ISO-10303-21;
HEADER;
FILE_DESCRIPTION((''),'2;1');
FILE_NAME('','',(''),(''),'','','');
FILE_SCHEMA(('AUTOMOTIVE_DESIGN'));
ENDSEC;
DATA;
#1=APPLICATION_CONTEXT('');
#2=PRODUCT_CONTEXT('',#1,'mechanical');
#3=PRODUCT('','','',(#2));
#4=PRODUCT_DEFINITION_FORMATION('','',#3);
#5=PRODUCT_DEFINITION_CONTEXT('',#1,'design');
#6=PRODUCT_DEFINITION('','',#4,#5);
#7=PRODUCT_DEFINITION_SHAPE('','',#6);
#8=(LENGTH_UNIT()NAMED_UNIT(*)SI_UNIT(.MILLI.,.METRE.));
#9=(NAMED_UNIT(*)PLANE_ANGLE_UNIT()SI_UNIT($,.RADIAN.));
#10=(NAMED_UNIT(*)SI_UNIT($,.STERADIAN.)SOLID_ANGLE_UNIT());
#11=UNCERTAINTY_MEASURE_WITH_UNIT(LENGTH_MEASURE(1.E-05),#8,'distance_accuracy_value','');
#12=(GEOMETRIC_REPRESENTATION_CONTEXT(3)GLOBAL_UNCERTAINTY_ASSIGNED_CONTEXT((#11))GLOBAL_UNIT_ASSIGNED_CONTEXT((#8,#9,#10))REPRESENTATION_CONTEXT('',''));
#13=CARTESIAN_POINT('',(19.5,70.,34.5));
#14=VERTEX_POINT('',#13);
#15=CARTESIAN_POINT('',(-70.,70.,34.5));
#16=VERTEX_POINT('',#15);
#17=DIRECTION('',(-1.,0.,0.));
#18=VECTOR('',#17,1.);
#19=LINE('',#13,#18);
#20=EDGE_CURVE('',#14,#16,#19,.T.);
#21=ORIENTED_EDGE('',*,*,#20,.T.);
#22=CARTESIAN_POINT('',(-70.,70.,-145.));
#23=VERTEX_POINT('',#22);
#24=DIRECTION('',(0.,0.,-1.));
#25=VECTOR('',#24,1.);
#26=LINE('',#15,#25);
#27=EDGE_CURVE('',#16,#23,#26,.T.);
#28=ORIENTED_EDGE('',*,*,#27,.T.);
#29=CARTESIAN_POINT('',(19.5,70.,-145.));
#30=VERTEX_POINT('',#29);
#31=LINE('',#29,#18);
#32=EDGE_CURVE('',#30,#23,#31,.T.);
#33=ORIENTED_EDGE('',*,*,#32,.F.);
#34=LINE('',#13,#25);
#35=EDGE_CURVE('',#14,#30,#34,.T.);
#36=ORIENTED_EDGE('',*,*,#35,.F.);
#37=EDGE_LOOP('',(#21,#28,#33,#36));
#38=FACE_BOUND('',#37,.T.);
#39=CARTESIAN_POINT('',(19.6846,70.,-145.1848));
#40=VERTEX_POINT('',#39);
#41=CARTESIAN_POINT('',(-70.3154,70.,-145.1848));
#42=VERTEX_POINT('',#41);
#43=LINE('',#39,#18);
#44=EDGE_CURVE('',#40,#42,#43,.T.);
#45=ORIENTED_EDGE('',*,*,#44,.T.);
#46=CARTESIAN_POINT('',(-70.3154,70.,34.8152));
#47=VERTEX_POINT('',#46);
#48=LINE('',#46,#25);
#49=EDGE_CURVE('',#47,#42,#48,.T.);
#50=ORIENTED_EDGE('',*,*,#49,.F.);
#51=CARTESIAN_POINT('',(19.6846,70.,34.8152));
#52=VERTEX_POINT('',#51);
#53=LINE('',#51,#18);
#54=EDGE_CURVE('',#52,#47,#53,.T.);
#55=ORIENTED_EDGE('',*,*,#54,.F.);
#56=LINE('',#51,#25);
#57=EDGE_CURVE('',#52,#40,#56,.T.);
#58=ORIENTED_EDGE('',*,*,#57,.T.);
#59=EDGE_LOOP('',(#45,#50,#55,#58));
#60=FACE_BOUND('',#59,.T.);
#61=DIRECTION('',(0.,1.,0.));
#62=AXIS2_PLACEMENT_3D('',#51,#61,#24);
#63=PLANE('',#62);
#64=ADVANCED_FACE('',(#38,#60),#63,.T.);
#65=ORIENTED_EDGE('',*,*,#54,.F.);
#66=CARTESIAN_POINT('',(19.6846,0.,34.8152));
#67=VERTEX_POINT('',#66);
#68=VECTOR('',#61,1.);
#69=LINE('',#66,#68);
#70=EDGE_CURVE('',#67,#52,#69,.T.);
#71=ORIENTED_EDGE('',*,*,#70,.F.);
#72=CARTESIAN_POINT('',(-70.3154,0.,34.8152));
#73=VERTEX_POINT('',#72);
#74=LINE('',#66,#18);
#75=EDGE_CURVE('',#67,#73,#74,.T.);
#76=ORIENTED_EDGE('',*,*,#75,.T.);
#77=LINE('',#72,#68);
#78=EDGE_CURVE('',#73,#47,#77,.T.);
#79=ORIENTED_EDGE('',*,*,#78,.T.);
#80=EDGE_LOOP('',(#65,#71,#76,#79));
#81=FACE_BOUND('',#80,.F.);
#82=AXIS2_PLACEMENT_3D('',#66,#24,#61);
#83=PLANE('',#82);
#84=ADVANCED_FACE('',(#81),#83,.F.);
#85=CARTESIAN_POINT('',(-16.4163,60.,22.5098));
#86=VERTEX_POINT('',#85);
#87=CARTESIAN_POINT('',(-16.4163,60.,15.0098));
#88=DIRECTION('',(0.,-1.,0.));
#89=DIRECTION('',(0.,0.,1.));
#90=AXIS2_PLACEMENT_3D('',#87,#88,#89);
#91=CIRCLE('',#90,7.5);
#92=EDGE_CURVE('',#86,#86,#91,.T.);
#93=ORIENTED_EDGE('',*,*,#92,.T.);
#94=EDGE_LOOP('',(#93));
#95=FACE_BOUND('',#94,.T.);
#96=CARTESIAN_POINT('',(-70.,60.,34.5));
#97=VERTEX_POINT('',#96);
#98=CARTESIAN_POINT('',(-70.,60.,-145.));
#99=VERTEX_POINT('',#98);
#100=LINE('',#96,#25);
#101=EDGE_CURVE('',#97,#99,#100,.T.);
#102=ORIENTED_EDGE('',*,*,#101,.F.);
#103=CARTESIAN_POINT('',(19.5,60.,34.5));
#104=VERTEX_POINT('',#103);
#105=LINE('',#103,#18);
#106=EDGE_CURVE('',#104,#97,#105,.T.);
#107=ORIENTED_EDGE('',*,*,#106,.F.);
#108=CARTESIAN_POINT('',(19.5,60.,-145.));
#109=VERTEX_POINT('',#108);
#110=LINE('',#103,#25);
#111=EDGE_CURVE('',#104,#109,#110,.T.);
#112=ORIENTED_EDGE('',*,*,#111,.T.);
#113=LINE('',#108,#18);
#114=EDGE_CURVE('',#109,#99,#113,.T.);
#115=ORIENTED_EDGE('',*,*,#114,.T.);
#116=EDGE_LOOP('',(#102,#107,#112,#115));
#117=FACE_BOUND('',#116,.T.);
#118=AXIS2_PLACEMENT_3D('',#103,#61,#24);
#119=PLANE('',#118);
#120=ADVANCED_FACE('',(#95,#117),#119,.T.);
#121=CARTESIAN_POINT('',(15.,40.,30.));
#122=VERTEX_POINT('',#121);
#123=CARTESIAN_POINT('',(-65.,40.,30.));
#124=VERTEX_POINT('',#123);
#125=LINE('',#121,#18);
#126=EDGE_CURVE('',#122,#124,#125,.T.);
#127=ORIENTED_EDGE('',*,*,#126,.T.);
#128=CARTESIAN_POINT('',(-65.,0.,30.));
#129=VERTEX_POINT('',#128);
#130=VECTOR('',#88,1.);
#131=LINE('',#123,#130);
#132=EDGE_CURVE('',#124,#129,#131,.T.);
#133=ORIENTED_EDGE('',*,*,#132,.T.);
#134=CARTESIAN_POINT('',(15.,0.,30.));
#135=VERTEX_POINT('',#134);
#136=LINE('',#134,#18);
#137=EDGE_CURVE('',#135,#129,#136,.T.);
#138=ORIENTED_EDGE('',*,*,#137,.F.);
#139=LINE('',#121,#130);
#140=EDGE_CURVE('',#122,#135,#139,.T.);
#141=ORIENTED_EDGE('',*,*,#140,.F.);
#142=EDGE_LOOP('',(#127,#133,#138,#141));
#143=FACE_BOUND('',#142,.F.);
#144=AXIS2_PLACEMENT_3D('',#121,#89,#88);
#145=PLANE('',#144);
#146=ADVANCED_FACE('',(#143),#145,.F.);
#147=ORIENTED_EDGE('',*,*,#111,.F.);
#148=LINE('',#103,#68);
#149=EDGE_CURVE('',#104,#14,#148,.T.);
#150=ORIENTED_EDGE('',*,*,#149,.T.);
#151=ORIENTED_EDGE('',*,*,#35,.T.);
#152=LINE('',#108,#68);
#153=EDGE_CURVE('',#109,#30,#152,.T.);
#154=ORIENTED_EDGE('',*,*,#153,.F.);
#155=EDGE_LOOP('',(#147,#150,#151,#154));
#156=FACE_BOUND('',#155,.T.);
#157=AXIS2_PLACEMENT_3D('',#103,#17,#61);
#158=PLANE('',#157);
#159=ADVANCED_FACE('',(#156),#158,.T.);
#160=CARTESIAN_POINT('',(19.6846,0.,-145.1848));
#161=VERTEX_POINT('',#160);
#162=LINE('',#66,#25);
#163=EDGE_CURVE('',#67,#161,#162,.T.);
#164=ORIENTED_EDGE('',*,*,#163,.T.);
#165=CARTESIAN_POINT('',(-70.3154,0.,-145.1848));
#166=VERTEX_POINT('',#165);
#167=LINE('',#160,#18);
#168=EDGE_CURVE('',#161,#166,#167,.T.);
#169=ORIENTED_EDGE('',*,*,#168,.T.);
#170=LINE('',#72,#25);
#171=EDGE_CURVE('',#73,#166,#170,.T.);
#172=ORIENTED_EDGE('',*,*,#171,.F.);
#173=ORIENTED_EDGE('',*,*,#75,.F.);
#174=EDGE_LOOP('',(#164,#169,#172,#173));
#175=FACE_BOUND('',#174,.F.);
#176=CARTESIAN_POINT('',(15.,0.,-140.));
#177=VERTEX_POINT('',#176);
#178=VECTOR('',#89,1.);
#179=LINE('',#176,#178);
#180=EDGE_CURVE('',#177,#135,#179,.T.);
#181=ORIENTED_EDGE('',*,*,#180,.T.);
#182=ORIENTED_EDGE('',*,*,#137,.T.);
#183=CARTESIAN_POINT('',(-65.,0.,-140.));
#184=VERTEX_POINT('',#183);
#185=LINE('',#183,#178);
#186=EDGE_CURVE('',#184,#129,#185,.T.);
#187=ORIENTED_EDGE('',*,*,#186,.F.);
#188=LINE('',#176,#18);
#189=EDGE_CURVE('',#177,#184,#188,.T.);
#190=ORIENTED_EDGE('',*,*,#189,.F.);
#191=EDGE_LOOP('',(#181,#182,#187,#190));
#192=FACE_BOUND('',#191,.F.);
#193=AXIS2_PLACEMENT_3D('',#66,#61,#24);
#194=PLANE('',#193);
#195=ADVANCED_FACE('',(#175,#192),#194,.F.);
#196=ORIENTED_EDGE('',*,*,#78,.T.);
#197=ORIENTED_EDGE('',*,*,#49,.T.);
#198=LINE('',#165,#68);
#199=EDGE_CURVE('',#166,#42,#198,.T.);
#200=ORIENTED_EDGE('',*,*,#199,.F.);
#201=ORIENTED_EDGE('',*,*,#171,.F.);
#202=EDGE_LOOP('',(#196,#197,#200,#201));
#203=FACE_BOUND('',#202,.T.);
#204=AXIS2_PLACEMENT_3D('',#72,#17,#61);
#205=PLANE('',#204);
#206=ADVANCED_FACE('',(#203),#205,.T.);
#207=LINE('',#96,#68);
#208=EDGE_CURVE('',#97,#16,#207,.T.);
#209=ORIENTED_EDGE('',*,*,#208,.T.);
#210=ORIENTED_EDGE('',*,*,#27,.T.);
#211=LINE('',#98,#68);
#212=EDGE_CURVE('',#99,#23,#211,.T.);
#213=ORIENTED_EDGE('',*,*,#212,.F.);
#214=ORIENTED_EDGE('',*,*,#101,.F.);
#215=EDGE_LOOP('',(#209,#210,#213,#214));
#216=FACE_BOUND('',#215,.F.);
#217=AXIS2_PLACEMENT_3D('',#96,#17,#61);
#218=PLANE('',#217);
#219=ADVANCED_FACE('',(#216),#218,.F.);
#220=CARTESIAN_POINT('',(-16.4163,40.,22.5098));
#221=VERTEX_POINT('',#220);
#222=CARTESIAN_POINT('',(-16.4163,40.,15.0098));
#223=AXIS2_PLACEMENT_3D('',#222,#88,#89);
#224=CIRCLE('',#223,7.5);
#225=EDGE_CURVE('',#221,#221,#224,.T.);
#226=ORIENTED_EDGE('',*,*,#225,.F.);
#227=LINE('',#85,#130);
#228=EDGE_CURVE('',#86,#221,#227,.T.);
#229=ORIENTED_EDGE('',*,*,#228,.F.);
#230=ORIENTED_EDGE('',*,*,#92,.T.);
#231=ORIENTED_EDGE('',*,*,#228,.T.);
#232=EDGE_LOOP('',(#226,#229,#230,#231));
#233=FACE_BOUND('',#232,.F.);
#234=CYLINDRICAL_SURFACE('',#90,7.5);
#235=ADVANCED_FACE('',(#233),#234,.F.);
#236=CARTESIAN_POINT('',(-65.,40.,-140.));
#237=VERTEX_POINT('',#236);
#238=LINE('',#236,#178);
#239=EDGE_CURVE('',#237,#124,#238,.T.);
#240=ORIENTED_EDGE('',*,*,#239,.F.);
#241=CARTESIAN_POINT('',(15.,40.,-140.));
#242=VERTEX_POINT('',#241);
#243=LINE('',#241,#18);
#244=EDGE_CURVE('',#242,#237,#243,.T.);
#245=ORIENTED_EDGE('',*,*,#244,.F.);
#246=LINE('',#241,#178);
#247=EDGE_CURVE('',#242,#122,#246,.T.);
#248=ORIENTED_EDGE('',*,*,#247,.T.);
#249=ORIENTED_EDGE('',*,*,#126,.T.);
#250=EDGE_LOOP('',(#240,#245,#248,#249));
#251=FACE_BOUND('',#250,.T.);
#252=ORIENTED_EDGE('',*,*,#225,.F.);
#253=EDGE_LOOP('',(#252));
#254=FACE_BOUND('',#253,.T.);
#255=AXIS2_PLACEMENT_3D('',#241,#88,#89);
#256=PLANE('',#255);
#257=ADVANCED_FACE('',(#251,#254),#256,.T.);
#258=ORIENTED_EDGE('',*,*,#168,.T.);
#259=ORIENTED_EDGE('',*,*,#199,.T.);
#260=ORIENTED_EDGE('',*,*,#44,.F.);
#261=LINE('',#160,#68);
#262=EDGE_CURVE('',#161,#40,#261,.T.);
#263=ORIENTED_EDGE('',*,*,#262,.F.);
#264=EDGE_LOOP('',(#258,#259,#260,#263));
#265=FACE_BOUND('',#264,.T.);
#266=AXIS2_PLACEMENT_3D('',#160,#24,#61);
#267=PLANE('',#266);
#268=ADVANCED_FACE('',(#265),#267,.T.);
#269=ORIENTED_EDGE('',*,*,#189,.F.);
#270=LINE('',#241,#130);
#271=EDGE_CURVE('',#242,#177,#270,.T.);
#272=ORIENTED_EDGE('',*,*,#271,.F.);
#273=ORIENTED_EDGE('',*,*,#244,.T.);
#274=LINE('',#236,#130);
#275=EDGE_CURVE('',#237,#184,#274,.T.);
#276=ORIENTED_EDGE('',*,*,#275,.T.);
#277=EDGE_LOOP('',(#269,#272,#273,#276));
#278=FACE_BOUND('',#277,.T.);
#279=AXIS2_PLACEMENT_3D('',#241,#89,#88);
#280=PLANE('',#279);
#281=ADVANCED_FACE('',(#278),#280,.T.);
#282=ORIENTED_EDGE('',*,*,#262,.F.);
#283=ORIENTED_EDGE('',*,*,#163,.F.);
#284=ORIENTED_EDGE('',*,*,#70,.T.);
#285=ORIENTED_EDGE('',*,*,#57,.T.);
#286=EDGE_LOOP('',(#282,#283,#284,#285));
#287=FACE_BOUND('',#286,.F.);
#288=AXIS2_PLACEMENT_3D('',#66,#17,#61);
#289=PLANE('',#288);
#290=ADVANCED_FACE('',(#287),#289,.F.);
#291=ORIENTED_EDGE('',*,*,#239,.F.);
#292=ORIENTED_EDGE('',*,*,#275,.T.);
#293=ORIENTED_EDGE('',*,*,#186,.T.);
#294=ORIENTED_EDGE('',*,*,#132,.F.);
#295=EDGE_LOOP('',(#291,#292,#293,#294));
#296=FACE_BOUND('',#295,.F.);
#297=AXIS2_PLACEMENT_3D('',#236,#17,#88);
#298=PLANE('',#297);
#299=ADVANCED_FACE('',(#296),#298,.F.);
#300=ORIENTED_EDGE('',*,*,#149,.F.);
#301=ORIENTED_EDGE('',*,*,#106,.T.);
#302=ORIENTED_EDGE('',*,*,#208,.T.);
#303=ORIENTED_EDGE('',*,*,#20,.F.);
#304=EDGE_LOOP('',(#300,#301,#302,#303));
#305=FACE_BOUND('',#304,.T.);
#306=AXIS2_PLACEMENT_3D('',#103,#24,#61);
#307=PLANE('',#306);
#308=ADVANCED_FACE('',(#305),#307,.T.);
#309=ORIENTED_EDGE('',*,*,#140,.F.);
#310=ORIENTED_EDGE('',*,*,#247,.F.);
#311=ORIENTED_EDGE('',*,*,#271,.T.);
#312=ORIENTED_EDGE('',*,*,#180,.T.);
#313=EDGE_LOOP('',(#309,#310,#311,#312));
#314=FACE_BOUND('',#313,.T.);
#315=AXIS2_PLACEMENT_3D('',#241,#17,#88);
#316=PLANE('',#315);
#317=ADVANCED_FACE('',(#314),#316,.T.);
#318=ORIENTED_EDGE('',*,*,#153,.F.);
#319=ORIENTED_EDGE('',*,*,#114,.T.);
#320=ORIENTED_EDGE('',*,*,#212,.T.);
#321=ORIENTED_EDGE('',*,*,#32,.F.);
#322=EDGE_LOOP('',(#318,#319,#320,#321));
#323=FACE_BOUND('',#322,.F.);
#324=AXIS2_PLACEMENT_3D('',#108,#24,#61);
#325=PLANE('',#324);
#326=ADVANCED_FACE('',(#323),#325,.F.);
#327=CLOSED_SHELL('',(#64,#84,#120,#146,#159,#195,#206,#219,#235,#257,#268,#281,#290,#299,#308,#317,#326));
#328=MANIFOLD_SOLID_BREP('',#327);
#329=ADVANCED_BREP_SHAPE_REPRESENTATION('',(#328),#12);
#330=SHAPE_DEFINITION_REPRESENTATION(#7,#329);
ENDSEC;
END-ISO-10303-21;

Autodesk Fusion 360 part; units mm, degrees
box "Grundkörper Quader1" add length 180 width 90 height 70 placed x (0, 0, -1) y (-1, 0, 0) z (0, 1, 0) at (19.6846, 0, 34.8152)
box "Grundkörper Quader2" cut length 179.5 width 89.5 height -10 placed x (0, 0, -1) y (-1, 0, 0) z (0, 1, 0) at (19.5, 70, 34.5)
box "Grundkörper Quader3" cut length 170 width 80 height -40 placed x (0, 0, 1) y (-1, 0, 0) z (0, -1, 0) at (15, 0, -140)
hole "Bohrung1" at (-16.4163, 60, 15.0098) direction (0, -1, 0) diameter 15 depth 40 tip angle 180
